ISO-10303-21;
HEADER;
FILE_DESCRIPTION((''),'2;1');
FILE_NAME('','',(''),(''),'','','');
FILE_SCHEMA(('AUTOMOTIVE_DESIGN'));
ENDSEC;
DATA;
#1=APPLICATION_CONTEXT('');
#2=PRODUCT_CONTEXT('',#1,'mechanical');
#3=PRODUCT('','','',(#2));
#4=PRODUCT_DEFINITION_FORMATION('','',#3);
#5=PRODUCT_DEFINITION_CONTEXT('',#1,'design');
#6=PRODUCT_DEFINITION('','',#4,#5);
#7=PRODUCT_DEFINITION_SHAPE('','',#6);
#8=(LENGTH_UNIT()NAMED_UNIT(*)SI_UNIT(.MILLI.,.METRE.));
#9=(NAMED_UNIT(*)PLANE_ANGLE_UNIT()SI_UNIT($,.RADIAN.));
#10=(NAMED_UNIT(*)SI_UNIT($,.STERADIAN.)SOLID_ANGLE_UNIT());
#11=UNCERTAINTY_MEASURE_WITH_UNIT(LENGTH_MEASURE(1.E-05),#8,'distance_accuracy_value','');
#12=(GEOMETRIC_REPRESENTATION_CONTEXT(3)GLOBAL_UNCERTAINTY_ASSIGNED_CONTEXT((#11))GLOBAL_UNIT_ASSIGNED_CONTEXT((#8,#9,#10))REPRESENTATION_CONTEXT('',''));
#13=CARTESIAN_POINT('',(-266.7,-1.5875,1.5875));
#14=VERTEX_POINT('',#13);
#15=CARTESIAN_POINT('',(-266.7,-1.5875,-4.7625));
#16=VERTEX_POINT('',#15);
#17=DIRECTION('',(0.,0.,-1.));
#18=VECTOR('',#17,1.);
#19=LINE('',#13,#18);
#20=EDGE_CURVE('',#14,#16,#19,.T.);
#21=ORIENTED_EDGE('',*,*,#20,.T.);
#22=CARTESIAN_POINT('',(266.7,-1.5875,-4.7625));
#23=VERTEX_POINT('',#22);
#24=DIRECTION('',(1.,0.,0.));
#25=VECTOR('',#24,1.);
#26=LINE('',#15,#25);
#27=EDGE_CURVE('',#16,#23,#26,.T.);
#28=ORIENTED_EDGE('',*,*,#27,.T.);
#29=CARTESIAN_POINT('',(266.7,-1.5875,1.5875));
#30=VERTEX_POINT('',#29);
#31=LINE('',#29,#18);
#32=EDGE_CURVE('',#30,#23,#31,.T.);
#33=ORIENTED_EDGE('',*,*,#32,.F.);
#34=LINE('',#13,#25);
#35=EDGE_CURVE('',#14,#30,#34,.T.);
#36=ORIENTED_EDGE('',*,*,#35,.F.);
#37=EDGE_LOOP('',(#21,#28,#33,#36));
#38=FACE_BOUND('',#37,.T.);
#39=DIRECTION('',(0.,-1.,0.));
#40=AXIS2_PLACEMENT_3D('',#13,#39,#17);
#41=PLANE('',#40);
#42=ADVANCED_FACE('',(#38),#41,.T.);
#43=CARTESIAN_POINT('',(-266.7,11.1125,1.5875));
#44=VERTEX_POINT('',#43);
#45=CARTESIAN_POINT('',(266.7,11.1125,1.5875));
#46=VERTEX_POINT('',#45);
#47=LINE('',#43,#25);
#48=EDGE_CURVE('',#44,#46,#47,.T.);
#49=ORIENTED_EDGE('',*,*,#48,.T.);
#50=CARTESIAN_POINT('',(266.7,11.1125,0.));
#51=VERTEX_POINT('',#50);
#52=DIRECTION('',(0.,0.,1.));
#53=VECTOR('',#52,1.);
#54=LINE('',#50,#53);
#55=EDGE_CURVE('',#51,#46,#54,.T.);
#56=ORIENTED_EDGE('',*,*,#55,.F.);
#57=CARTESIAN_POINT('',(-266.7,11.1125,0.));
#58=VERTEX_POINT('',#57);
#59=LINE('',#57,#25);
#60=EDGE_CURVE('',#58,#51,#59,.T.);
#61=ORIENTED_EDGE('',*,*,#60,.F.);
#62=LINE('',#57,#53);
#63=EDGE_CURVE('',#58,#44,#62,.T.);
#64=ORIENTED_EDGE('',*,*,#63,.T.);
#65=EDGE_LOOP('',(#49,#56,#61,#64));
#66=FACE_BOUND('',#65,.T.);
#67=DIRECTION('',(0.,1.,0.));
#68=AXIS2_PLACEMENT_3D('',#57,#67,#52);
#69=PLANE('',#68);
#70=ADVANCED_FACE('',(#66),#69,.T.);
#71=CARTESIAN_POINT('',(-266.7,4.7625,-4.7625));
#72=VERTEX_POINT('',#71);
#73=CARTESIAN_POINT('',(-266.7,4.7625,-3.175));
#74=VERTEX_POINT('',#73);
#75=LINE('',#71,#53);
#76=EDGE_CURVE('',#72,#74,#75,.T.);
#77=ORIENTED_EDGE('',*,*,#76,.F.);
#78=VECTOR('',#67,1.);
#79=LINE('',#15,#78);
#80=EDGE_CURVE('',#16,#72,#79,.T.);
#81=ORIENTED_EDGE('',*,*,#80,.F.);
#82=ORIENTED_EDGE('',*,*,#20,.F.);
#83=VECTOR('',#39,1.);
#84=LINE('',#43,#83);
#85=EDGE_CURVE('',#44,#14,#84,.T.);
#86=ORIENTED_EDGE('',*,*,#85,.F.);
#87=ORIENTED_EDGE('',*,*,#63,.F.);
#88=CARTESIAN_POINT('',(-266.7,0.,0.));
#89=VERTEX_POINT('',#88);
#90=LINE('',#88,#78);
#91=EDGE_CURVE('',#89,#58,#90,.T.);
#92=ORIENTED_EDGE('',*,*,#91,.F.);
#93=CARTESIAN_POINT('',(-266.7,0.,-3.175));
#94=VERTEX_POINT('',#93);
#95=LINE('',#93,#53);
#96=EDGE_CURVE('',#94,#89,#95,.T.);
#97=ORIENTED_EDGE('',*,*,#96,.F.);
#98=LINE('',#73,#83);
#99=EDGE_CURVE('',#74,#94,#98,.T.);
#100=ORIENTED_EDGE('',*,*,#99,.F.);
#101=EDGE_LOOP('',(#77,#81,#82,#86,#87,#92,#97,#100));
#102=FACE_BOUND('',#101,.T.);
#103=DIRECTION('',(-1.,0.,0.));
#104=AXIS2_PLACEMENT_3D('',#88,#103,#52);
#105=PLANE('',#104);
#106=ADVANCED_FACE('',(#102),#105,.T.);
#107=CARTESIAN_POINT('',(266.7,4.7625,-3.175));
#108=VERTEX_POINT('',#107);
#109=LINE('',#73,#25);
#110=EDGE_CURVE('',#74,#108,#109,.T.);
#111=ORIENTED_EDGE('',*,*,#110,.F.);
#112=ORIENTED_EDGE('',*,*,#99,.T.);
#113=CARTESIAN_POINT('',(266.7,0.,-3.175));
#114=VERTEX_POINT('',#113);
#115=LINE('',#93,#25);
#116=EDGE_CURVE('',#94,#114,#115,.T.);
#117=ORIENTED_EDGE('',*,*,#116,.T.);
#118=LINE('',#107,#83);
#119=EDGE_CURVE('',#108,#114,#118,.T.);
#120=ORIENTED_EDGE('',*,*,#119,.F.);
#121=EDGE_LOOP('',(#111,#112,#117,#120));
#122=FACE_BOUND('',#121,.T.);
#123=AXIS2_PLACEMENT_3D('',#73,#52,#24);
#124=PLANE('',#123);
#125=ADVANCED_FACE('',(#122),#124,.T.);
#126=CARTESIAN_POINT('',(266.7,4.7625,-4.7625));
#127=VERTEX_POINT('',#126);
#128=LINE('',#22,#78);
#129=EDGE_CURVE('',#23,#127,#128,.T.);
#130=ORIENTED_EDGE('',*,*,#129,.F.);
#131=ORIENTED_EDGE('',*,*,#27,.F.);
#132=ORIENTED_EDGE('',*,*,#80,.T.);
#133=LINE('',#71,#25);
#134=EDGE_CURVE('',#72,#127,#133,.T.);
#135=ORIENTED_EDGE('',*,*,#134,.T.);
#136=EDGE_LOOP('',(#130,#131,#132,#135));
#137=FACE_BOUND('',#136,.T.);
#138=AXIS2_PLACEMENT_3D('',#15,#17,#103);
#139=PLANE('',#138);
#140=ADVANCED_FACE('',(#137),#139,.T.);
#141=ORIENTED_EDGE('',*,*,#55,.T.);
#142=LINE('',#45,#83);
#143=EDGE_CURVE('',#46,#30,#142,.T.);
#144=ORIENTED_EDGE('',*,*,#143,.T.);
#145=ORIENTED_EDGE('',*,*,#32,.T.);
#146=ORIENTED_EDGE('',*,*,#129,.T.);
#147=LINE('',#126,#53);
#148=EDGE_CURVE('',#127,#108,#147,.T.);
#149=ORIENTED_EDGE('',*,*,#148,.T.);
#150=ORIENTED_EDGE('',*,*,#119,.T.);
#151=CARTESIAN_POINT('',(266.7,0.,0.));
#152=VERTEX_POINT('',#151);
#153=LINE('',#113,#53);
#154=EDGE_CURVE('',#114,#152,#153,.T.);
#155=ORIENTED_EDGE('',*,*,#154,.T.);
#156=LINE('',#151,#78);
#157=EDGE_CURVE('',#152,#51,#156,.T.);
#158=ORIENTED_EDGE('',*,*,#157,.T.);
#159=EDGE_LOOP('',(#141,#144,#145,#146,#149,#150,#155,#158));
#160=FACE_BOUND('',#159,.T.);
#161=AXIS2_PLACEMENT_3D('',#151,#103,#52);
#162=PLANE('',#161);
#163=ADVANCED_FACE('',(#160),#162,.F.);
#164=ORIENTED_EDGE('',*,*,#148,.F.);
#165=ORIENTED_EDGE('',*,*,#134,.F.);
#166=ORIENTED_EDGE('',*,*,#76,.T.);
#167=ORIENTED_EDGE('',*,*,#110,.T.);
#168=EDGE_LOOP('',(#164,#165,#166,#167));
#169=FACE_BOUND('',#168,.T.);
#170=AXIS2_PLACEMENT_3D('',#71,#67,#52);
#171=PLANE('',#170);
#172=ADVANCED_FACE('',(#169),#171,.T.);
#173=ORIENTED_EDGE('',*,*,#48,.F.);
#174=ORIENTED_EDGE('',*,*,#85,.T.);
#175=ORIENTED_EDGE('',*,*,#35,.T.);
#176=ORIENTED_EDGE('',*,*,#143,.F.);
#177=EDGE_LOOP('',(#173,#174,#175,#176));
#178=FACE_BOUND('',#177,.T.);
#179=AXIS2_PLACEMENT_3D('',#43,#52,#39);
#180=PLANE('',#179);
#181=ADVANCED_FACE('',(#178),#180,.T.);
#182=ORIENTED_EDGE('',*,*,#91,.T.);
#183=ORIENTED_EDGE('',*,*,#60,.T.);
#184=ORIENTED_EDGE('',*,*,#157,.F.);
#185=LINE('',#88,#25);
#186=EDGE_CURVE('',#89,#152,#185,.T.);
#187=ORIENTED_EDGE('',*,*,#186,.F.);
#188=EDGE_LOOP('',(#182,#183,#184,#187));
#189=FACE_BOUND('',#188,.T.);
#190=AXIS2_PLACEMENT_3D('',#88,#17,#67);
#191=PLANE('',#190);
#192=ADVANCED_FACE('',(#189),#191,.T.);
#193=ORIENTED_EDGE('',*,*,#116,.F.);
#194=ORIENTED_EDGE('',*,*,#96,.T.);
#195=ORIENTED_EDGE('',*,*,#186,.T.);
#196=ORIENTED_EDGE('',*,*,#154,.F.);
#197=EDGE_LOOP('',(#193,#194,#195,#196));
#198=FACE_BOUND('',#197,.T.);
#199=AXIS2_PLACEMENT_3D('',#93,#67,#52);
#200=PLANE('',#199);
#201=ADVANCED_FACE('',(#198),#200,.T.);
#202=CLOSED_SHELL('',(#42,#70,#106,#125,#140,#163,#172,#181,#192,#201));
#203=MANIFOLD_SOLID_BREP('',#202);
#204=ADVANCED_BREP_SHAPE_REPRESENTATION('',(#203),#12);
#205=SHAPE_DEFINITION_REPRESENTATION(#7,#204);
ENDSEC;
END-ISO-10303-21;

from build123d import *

# Parameters (mm, degrees)
BOSS_EXTRUDE1_DEPTH      = 266.7
BOSS_EXTRUDE1_DEPTH_BACK = 266.7


with BuildPart() as part:
    # Sketch1 → Boss-Extrude1 (new, two sides: drawn at the far end of the back side and taken through both)
    with BuildSketch(Plane(origin=(0, 0, 0), x_dir=(0, 0, -1), z_dir=(1, 0, 0)).offset(-BOSS_EXTRUDE1_DEPTH_BACK)):
        Polygon((0, 0), (0, 11.1125), (-1.5875, 11.1125), (-1.5875, -1.5875), (4.7625, -1.5875), (4.7625, 4.7625), (3.175, 4.7625), (3.175, 0), align=None)
    extrude(amount=BOSS_EXTRUDE1_DEPTH + BOSS_EXTRUDE1_DEPTH_BACK)


solid = part.part
